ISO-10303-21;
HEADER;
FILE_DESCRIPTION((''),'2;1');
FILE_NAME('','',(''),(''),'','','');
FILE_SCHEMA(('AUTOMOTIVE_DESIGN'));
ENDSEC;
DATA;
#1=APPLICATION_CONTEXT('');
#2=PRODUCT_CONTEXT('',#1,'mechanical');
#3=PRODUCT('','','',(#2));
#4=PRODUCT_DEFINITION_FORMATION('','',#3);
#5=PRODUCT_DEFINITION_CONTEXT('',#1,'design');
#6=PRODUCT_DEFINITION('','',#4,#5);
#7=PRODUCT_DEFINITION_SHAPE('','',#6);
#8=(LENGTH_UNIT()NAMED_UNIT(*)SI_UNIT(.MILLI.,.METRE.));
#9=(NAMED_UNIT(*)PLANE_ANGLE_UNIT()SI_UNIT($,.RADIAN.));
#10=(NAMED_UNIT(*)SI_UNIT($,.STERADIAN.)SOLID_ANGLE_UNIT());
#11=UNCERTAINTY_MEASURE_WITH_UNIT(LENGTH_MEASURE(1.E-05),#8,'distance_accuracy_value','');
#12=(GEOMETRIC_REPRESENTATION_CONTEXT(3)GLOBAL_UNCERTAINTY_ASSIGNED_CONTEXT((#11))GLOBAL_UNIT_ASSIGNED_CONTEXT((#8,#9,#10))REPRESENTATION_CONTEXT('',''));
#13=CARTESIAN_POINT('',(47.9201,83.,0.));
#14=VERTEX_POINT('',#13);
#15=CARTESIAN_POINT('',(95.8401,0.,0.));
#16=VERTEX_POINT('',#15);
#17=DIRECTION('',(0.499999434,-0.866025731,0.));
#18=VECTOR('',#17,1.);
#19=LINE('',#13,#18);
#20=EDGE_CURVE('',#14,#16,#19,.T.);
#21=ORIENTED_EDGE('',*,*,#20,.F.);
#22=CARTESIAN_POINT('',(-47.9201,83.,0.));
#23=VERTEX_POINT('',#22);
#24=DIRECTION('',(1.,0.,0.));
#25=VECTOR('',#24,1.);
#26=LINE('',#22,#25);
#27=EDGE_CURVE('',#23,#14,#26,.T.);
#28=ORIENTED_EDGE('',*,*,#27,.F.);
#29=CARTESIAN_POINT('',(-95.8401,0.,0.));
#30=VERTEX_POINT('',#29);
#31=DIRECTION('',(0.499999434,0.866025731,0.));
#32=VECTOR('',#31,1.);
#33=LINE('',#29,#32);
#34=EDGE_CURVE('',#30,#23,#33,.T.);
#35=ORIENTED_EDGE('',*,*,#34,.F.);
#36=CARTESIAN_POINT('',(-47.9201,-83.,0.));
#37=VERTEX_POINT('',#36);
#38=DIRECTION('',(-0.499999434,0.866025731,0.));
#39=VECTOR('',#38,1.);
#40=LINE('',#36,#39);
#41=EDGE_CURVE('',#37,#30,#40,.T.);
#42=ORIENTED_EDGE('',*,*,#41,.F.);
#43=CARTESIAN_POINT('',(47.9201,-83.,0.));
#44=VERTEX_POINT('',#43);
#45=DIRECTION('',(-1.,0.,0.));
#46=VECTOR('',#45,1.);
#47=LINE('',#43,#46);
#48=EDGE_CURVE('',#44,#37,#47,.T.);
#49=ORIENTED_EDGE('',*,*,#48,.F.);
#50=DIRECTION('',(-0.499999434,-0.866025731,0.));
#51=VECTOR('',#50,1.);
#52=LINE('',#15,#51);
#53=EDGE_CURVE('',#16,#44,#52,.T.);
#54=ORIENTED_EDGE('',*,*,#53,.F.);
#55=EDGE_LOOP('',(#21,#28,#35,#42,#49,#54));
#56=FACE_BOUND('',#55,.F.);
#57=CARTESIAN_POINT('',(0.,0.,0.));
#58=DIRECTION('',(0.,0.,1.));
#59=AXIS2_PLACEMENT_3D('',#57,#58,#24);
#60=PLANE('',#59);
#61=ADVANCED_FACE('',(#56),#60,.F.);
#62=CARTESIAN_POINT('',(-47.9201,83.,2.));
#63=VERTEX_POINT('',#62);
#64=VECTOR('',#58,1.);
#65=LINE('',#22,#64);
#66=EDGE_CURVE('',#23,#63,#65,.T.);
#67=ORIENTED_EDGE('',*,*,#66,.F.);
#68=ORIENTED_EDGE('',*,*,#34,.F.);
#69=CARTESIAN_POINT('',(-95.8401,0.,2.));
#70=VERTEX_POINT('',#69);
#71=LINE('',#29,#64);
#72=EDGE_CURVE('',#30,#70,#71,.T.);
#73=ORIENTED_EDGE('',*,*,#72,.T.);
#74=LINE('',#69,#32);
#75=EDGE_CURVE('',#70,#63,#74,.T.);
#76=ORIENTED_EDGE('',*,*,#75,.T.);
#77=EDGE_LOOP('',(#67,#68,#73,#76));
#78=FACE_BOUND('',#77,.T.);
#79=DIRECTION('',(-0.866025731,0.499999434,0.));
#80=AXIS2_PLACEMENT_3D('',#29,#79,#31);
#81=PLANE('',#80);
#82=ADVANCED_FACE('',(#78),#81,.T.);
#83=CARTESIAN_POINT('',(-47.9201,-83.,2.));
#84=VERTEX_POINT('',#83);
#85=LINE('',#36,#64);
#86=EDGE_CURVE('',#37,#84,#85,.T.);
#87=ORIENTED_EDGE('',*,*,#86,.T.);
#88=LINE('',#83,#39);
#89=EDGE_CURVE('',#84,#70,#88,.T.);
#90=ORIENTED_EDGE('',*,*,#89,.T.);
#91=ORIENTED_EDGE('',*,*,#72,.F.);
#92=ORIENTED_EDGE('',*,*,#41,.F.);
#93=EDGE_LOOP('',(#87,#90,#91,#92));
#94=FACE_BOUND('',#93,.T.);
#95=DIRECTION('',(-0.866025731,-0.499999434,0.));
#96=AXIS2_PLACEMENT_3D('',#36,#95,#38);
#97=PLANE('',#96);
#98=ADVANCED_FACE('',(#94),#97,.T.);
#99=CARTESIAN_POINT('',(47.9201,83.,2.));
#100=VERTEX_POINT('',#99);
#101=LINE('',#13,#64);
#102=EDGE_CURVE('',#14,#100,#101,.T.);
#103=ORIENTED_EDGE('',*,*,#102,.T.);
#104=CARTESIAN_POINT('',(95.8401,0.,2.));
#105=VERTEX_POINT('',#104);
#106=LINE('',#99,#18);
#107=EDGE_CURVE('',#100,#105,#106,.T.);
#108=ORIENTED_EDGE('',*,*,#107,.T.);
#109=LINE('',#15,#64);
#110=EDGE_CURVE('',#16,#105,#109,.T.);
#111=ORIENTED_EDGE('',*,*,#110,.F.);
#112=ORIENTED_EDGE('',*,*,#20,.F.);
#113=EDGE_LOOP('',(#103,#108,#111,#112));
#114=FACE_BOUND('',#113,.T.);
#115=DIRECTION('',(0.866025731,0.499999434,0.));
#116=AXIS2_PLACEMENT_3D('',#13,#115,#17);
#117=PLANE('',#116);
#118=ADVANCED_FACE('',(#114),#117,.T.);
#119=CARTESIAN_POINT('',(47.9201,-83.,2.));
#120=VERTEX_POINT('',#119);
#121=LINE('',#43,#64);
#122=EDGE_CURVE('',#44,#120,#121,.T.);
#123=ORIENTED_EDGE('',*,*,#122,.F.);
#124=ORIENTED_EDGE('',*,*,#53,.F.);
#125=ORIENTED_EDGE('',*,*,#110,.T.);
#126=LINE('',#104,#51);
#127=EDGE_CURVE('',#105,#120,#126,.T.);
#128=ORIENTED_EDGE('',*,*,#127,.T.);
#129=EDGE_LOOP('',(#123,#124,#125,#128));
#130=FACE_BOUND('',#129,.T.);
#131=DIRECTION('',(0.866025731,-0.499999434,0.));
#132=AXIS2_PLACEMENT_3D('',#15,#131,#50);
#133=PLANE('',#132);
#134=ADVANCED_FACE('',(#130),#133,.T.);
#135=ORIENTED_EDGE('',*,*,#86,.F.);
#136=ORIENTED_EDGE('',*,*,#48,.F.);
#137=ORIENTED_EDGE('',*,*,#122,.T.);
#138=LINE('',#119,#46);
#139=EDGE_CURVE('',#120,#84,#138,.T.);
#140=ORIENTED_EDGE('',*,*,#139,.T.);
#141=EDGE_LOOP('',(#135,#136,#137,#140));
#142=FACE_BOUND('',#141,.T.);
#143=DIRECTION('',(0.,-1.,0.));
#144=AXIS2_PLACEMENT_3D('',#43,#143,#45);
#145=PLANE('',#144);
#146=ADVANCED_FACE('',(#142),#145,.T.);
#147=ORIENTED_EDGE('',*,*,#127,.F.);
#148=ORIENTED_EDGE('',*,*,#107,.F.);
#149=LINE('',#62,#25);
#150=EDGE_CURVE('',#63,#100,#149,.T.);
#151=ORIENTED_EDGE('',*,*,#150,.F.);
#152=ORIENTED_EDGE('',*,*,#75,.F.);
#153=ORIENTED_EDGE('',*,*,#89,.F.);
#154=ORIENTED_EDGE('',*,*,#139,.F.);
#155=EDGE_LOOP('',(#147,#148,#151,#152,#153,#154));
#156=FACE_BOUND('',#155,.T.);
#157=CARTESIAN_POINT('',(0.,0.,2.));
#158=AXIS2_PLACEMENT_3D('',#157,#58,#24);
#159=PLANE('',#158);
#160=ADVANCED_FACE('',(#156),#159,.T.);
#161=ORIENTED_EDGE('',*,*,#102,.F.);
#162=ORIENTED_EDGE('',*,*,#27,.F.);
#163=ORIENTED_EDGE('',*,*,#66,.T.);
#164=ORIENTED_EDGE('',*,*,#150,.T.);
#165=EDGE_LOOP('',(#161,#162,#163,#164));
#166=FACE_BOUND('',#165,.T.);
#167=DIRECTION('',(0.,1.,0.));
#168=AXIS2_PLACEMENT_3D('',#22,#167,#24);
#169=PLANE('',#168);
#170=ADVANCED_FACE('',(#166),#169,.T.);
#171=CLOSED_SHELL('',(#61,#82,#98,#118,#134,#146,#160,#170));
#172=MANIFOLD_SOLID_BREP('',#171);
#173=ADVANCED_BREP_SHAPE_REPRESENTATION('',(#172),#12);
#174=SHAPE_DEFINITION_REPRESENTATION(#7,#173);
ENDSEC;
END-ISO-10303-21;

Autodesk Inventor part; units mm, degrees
ref_plane "YZ Plane" through (0, 0, 0) normal (1, 0, 0) x (0, 1, 0)
ref_plane "XZ Plane" through (0, 0, 0) normal (0, 1, 0) x (-1, 0, 0)
ref_plane "XY Plane" through (0, 0, 0) normal (0, 0, 1) x (1, 0, 0)
sketch "Sketch1" plane through (0, 0, 0) normal (0, 0, 1) x (1, 0, 0)
  line L0 (-47.9201, 83) -> (47.9201, 83)
  line L1 (47.9201, 83) -> (95.8401, 0)
  line L2 (95.8401, 0) -> (47.9201, -83)
  line L3 (47.9201, -83) -> (-47.9201, -83)
  line L4 (-47.9201, -83) -> (-95.8401, 0)
  line L5 (-95.8401, 0) -> (-47.9201, 83)
  point P0 (0, 0)
  point P1 (0, 0)
  dimension "d0" = 166
extrude "Extrusion1" add sketch "Sketch1" along normal blind 2
sketch "Sketch3" plane through (0, 0, 2) normal (0, 0, 1) x (1, 0, 0)
  line L0 (47.9201, 83) -> (-47.9201, 83) projected
  line L1 (-47.9201, 83) -> (-95.8401, 0) projected
  line L2 (-95.8401, 0) -> (-47.9201, -83) projected
  line L3 (-47.9201, -83) -> (47.9201, -83) projected
  line L4 (47.9201, -83) -> (95.8401, 0) projected
  line L5 (95.8401, 0) -> (47.9201, 83) projected
  line L6 (-95.8401, 83) -> (95.8401, 83)
  line L7 (95.8401, 83) -> (95.8401, -83)
  line L8 (95.8401, -83) -> (-95.8401, -83)
  line L9 (-95.8401, -83) -> (-95.8401, 83)
  line L10 (-95.8401, 83) -> (95.8401, -83) construction
  line L11 (95.8401, 83) -> (-95.8401, -83) construction
  point P0 (0, 0)
  dimension "d3" = 191.6803
  dimension "d4" = 166
properties part number "Frosted Top v1"
